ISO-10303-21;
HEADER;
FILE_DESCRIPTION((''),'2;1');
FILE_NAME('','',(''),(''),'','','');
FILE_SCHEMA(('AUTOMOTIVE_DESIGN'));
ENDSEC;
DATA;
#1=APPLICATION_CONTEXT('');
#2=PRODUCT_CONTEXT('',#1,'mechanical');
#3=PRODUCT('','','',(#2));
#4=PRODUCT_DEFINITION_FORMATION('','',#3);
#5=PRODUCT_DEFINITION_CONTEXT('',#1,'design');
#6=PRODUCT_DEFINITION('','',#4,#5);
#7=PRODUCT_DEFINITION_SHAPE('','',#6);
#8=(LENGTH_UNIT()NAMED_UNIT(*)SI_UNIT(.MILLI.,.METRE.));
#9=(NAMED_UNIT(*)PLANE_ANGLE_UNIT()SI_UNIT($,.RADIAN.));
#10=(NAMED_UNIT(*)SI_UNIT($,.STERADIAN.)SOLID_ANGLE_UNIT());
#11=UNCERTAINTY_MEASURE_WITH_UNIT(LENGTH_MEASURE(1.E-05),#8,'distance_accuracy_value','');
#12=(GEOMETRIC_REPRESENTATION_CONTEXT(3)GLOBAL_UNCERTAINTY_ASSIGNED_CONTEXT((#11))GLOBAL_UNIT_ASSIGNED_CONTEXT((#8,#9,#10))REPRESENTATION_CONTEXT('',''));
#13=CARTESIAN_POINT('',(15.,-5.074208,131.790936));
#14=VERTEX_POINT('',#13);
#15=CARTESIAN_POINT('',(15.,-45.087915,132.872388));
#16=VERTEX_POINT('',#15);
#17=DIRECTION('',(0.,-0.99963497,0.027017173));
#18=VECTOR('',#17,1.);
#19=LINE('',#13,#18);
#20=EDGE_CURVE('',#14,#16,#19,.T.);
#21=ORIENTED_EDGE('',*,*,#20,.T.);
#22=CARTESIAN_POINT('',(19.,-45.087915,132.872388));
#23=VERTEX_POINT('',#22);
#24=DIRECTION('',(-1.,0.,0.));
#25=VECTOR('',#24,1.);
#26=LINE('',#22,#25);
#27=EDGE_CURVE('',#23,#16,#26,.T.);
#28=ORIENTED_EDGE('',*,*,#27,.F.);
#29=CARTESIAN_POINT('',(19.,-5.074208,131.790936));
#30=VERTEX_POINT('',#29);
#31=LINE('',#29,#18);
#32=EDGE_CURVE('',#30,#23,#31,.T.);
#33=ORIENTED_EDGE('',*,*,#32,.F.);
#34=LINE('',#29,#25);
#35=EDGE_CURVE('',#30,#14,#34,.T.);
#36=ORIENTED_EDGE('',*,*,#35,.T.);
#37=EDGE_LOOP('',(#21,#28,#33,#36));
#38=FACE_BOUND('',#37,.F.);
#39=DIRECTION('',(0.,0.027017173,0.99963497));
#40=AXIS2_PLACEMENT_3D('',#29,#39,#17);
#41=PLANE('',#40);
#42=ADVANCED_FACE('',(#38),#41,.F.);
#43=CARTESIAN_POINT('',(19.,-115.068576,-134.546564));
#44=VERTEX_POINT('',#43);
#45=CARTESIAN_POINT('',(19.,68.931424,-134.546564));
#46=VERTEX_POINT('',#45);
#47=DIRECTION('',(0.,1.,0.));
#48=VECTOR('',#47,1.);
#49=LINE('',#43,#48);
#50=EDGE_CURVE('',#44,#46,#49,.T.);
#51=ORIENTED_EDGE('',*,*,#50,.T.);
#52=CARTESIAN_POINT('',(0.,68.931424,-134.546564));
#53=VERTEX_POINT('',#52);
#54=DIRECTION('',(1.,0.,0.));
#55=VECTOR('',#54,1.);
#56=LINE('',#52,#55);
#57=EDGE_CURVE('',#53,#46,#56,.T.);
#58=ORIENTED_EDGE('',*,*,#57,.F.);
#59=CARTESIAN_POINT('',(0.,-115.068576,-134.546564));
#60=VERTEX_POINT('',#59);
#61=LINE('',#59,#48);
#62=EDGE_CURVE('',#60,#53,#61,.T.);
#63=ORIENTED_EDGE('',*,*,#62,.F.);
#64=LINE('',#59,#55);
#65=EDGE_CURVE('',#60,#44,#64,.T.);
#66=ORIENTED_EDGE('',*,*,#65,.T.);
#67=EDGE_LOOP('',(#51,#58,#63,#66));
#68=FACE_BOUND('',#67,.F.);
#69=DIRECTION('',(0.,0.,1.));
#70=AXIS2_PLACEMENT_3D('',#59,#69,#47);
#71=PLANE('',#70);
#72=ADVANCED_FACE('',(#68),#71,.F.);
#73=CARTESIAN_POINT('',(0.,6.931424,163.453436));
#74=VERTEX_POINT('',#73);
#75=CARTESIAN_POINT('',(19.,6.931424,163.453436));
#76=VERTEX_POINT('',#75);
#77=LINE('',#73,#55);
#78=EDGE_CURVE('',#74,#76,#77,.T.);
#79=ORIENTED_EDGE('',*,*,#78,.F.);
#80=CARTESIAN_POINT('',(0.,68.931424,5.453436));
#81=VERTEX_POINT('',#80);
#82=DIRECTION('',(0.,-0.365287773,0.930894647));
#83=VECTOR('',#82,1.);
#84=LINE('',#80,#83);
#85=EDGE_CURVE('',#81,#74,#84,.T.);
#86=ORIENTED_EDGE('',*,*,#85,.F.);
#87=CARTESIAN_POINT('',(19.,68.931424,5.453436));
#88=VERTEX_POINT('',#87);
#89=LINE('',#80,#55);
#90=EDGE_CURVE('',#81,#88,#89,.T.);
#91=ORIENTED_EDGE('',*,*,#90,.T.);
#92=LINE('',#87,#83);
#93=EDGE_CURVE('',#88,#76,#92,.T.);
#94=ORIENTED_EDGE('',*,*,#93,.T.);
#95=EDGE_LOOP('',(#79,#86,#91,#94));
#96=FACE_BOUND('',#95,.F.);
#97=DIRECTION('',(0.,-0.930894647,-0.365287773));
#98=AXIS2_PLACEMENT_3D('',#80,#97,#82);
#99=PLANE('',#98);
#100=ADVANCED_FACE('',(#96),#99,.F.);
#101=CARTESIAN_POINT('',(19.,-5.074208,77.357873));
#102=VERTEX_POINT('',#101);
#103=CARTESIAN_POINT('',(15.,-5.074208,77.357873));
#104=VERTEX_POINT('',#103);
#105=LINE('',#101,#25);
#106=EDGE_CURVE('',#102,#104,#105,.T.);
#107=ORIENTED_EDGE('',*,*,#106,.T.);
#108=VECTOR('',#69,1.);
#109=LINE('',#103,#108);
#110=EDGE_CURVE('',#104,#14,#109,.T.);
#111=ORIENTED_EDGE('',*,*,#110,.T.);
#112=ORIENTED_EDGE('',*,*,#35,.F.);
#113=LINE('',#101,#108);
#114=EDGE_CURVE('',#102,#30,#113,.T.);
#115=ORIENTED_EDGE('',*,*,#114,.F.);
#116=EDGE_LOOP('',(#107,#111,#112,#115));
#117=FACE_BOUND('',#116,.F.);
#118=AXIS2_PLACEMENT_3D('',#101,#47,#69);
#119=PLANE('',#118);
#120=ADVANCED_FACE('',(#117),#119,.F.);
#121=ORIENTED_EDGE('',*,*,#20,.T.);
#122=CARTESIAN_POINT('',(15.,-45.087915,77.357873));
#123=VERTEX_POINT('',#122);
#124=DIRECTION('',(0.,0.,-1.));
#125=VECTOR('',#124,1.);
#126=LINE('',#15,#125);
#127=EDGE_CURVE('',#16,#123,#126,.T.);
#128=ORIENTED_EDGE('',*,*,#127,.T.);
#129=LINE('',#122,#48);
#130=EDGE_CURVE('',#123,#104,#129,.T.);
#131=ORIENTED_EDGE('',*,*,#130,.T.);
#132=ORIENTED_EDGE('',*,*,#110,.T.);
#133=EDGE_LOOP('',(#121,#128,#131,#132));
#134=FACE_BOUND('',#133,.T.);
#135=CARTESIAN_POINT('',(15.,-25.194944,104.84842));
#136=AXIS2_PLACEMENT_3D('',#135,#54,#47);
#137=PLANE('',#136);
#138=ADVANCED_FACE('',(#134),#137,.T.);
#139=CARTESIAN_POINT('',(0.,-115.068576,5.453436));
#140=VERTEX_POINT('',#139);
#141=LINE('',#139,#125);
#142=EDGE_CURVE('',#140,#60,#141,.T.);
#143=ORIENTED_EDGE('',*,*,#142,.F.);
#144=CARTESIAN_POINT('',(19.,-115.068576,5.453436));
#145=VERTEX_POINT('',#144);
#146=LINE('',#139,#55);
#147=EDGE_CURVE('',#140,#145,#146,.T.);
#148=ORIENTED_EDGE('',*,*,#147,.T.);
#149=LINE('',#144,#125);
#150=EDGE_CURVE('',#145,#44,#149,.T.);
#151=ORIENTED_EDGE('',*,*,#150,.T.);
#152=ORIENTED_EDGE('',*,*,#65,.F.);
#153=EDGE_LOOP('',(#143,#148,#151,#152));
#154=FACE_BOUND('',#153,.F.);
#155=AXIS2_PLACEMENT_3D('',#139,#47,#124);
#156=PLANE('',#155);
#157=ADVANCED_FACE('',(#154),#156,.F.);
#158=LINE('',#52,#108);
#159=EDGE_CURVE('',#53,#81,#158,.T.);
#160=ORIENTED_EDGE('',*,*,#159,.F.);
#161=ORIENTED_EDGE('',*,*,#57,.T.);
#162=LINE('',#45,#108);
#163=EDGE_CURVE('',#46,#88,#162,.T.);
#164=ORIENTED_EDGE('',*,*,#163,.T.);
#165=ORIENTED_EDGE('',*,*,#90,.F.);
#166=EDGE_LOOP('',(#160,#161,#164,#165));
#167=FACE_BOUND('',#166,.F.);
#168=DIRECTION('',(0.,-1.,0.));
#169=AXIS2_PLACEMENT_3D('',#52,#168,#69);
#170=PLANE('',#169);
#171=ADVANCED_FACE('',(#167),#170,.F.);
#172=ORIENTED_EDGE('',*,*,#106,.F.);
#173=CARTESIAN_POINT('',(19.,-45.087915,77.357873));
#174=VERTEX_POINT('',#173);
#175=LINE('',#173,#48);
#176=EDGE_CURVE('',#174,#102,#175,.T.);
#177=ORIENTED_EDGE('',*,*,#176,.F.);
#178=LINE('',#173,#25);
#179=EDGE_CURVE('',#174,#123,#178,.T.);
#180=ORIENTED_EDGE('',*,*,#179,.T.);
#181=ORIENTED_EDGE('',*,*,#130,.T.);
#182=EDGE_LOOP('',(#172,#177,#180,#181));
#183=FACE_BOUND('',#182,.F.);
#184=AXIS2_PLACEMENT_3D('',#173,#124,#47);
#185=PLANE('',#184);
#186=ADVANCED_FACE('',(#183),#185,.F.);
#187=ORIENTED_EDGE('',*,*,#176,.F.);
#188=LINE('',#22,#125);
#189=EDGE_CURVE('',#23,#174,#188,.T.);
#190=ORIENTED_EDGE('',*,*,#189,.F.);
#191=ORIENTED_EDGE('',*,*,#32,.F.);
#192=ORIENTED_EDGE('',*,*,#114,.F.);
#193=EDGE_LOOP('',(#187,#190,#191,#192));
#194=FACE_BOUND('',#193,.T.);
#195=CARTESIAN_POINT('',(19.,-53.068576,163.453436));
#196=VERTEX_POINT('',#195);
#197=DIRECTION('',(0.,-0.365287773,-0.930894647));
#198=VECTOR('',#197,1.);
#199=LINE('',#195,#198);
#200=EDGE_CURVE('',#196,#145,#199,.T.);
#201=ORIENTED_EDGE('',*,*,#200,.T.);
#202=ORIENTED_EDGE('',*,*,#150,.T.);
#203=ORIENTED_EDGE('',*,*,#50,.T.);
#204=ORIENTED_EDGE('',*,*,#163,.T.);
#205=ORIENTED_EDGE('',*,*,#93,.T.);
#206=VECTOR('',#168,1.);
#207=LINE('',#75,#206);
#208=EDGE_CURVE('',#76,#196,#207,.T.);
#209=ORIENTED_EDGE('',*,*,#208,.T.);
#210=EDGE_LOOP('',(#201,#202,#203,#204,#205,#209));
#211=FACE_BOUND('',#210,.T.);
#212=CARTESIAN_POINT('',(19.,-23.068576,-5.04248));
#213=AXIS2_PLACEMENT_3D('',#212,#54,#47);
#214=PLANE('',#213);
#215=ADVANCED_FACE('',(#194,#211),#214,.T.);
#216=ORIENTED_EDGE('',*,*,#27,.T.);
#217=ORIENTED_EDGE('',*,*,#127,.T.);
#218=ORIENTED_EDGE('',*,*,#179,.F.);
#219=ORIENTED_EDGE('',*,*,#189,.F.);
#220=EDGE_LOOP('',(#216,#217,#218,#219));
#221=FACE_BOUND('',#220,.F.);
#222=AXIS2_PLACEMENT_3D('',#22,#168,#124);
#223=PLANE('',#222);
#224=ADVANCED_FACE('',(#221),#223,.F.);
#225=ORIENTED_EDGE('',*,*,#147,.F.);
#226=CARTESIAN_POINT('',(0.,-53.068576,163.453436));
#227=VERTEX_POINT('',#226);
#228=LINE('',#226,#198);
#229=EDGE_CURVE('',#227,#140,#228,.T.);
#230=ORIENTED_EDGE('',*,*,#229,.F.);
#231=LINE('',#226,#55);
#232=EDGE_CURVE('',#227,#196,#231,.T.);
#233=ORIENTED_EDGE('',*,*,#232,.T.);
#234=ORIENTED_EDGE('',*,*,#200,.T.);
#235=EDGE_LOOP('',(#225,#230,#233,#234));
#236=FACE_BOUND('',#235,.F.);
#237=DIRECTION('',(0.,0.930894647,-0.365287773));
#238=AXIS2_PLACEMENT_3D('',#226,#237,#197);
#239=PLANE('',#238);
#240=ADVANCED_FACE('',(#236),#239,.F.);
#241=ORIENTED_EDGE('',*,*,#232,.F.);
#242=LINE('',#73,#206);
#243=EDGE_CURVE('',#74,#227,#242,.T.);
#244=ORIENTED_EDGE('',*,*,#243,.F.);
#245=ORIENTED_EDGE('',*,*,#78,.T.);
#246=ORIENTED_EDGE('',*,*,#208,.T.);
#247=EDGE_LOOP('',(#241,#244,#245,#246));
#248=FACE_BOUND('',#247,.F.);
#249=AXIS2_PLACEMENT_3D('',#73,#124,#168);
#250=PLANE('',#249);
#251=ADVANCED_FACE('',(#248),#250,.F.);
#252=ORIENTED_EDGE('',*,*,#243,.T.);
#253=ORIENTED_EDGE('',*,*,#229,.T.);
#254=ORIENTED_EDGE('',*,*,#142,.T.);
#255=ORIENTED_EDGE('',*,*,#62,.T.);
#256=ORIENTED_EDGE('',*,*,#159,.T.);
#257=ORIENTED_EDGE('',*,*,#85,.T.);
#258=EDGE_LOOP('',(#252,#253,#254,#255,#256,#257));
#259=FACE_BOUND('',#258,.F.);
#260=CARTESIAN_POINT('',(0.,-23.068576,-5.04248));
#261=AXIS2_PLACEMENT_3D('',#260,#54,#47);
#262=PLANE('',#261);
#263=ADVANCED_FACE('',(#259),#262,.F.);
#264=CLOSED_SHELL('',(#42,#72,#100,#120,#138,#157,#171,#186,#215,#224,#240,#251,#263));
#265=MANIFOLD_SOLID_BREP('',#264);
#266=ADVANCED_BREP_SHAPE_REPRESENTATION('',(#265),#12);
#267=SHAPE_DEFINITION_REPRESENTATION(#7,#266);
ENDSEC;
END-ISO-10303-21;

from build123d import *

# Parameters (mm, degrees)
F1_DEPTH = 19
F3_DEPTH = 4


with BuildPart() as f1:
    # F0 (on Right) → F1 (new body)
    with BuildSketch(Plane.YZ):
        Polygon((6.931424, 163.453436), (-53.068576, 163.453436), (-115.068576, 5.453436), (-115.068576, -134.546564), (68.931424, -134.546564), (68.931424, 5.453436), align=None)
    extrude(amount=F1_DEPTH)

    # F2 (on face) → F3 (cut)
    with BuildSketch(Plane.YZ.offset(19)):
        Polygon((-5.074208, 131.790936), (-45.087915, 132.872388), (-45.087915, 77.357873), (-5.074208, 77.357873), align=None)
    extrude(amount=-F3_DEPTH, mode=Mode.SUBTRACT)


solid = f1.part
